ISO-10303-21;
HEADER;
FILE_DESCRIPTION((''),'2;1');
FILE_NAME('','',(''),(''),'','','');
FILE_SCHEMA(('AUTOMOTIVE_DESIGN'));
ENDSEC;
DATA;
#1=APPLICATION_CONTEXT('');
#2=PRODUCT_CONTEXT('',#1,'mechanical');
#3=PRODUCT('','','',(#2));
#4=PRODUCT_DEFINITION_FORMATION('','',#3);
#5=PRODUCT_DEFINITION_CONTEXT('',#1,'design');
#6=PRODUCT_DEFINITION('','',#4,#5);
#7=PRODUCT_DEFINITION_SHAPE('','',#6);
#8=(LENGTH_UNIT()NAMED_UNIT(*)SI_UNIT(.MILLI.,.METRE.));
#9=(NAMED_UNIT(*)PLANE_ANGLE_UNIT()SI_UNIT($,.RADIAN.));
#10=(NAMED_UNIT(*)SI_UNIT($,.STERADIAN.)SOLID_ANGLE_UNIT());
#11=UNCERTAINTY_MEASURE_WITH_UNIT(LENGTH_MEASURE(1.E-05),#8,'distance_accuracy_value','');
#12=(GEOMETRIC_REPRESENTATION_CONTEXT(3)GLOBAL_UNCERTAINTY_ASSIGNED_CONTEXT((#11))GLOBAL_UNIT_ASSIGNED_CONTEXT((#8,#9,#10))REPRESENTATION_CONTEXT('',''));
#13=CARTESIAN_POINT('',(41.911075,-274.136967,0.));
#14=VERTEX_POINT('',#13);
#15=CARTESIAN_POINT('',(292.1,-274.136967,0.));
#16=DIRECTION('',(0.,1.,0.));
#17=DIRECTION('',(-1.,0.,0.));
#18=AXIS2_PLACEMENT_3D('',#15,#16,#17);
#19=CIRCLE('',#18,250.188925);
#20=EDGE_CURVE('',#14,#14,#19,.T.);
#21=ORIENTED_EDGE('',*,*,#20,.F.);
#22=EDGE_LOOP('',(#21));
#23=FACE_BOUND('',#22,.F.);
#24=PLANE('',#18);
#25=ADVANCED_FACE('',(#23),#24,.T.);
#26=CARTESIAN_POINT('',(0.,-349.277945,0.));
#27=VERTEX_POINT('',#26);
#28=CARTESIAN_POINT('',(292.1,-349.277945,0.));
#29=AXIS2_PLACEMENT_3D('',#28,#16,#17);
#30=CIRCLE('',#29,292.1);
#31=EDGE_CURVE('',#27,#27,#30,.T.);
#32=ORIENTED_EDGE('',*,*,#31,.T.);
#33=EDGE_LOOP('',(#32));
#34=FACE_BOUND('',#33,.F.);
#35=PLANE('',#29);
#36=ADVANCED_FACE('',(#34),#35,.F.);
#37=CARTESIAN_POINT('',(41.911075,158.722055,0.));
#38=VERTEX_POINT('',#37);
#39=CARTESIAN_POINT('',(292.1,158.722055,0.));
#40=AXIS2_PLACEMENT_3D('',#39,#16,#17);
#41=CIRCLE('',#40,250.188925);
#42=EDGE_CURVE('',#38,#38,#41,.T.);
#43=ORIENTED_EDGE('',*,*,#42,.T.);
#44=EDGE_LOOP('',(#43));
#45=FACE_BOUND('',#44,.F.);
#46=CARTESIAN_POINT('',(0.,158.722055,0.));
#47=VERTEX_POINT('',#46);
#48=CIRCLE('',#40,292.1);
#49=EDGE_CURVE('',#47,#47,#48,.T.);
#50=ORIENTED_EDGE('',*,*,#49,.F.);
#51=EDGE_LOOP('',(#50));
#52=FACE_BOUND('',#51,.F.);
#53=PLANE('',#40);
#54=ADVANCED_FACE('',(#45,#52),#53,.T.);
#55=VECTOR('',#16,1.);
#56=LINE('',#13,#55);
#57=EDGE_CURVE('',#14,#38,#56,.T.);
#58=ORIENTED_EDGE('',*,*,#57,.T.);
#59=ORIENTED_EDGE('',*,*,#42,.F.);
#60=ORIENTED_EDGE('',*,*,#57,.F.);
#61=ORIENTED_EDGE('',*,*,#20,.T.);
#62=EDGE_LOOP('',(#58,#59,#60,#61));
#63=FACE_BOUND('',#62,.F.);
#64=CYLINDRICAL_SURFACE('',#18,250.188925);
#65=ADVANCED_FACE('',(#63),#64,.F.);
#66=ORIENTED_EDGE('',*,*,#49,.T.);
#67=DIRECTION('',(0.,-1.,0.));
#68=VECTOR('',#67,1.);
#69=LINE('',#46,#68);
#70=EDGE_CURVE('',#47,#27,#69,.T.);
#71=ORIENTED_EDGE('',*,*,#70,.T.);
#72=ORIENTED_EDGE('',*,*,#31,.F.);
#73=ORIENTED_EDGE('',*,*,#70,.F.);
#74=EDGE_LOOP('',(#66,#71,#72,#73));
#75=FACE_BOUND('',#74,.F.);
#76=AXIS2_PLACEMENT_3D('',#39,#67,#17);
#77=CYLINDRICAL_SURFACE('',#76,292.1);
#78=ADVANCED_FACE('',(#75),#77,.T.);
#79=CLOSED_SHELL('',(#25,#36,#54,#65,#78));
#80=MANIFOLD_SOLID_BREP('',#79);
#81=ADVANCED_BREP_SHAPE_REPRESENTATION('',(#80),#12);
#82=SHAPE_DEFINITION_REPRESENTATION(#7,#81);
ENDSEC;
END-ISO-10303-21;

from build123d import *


with BuildPart() as f1:
    # F0 (on Top) → F1 (revolve)
    with BuildSketch(Plane.XY):
        Polygon((0, 158.722055), (0, -349.277945), (292.1, -349.277945), (292.1, -274.136967), (41.911075, -274.136967), (41.911075, 158.722055), align=None)
    revolve(axis=Axis((292.1, -311.707456, 0), (0, 1, 0)))


solid = f1.part
